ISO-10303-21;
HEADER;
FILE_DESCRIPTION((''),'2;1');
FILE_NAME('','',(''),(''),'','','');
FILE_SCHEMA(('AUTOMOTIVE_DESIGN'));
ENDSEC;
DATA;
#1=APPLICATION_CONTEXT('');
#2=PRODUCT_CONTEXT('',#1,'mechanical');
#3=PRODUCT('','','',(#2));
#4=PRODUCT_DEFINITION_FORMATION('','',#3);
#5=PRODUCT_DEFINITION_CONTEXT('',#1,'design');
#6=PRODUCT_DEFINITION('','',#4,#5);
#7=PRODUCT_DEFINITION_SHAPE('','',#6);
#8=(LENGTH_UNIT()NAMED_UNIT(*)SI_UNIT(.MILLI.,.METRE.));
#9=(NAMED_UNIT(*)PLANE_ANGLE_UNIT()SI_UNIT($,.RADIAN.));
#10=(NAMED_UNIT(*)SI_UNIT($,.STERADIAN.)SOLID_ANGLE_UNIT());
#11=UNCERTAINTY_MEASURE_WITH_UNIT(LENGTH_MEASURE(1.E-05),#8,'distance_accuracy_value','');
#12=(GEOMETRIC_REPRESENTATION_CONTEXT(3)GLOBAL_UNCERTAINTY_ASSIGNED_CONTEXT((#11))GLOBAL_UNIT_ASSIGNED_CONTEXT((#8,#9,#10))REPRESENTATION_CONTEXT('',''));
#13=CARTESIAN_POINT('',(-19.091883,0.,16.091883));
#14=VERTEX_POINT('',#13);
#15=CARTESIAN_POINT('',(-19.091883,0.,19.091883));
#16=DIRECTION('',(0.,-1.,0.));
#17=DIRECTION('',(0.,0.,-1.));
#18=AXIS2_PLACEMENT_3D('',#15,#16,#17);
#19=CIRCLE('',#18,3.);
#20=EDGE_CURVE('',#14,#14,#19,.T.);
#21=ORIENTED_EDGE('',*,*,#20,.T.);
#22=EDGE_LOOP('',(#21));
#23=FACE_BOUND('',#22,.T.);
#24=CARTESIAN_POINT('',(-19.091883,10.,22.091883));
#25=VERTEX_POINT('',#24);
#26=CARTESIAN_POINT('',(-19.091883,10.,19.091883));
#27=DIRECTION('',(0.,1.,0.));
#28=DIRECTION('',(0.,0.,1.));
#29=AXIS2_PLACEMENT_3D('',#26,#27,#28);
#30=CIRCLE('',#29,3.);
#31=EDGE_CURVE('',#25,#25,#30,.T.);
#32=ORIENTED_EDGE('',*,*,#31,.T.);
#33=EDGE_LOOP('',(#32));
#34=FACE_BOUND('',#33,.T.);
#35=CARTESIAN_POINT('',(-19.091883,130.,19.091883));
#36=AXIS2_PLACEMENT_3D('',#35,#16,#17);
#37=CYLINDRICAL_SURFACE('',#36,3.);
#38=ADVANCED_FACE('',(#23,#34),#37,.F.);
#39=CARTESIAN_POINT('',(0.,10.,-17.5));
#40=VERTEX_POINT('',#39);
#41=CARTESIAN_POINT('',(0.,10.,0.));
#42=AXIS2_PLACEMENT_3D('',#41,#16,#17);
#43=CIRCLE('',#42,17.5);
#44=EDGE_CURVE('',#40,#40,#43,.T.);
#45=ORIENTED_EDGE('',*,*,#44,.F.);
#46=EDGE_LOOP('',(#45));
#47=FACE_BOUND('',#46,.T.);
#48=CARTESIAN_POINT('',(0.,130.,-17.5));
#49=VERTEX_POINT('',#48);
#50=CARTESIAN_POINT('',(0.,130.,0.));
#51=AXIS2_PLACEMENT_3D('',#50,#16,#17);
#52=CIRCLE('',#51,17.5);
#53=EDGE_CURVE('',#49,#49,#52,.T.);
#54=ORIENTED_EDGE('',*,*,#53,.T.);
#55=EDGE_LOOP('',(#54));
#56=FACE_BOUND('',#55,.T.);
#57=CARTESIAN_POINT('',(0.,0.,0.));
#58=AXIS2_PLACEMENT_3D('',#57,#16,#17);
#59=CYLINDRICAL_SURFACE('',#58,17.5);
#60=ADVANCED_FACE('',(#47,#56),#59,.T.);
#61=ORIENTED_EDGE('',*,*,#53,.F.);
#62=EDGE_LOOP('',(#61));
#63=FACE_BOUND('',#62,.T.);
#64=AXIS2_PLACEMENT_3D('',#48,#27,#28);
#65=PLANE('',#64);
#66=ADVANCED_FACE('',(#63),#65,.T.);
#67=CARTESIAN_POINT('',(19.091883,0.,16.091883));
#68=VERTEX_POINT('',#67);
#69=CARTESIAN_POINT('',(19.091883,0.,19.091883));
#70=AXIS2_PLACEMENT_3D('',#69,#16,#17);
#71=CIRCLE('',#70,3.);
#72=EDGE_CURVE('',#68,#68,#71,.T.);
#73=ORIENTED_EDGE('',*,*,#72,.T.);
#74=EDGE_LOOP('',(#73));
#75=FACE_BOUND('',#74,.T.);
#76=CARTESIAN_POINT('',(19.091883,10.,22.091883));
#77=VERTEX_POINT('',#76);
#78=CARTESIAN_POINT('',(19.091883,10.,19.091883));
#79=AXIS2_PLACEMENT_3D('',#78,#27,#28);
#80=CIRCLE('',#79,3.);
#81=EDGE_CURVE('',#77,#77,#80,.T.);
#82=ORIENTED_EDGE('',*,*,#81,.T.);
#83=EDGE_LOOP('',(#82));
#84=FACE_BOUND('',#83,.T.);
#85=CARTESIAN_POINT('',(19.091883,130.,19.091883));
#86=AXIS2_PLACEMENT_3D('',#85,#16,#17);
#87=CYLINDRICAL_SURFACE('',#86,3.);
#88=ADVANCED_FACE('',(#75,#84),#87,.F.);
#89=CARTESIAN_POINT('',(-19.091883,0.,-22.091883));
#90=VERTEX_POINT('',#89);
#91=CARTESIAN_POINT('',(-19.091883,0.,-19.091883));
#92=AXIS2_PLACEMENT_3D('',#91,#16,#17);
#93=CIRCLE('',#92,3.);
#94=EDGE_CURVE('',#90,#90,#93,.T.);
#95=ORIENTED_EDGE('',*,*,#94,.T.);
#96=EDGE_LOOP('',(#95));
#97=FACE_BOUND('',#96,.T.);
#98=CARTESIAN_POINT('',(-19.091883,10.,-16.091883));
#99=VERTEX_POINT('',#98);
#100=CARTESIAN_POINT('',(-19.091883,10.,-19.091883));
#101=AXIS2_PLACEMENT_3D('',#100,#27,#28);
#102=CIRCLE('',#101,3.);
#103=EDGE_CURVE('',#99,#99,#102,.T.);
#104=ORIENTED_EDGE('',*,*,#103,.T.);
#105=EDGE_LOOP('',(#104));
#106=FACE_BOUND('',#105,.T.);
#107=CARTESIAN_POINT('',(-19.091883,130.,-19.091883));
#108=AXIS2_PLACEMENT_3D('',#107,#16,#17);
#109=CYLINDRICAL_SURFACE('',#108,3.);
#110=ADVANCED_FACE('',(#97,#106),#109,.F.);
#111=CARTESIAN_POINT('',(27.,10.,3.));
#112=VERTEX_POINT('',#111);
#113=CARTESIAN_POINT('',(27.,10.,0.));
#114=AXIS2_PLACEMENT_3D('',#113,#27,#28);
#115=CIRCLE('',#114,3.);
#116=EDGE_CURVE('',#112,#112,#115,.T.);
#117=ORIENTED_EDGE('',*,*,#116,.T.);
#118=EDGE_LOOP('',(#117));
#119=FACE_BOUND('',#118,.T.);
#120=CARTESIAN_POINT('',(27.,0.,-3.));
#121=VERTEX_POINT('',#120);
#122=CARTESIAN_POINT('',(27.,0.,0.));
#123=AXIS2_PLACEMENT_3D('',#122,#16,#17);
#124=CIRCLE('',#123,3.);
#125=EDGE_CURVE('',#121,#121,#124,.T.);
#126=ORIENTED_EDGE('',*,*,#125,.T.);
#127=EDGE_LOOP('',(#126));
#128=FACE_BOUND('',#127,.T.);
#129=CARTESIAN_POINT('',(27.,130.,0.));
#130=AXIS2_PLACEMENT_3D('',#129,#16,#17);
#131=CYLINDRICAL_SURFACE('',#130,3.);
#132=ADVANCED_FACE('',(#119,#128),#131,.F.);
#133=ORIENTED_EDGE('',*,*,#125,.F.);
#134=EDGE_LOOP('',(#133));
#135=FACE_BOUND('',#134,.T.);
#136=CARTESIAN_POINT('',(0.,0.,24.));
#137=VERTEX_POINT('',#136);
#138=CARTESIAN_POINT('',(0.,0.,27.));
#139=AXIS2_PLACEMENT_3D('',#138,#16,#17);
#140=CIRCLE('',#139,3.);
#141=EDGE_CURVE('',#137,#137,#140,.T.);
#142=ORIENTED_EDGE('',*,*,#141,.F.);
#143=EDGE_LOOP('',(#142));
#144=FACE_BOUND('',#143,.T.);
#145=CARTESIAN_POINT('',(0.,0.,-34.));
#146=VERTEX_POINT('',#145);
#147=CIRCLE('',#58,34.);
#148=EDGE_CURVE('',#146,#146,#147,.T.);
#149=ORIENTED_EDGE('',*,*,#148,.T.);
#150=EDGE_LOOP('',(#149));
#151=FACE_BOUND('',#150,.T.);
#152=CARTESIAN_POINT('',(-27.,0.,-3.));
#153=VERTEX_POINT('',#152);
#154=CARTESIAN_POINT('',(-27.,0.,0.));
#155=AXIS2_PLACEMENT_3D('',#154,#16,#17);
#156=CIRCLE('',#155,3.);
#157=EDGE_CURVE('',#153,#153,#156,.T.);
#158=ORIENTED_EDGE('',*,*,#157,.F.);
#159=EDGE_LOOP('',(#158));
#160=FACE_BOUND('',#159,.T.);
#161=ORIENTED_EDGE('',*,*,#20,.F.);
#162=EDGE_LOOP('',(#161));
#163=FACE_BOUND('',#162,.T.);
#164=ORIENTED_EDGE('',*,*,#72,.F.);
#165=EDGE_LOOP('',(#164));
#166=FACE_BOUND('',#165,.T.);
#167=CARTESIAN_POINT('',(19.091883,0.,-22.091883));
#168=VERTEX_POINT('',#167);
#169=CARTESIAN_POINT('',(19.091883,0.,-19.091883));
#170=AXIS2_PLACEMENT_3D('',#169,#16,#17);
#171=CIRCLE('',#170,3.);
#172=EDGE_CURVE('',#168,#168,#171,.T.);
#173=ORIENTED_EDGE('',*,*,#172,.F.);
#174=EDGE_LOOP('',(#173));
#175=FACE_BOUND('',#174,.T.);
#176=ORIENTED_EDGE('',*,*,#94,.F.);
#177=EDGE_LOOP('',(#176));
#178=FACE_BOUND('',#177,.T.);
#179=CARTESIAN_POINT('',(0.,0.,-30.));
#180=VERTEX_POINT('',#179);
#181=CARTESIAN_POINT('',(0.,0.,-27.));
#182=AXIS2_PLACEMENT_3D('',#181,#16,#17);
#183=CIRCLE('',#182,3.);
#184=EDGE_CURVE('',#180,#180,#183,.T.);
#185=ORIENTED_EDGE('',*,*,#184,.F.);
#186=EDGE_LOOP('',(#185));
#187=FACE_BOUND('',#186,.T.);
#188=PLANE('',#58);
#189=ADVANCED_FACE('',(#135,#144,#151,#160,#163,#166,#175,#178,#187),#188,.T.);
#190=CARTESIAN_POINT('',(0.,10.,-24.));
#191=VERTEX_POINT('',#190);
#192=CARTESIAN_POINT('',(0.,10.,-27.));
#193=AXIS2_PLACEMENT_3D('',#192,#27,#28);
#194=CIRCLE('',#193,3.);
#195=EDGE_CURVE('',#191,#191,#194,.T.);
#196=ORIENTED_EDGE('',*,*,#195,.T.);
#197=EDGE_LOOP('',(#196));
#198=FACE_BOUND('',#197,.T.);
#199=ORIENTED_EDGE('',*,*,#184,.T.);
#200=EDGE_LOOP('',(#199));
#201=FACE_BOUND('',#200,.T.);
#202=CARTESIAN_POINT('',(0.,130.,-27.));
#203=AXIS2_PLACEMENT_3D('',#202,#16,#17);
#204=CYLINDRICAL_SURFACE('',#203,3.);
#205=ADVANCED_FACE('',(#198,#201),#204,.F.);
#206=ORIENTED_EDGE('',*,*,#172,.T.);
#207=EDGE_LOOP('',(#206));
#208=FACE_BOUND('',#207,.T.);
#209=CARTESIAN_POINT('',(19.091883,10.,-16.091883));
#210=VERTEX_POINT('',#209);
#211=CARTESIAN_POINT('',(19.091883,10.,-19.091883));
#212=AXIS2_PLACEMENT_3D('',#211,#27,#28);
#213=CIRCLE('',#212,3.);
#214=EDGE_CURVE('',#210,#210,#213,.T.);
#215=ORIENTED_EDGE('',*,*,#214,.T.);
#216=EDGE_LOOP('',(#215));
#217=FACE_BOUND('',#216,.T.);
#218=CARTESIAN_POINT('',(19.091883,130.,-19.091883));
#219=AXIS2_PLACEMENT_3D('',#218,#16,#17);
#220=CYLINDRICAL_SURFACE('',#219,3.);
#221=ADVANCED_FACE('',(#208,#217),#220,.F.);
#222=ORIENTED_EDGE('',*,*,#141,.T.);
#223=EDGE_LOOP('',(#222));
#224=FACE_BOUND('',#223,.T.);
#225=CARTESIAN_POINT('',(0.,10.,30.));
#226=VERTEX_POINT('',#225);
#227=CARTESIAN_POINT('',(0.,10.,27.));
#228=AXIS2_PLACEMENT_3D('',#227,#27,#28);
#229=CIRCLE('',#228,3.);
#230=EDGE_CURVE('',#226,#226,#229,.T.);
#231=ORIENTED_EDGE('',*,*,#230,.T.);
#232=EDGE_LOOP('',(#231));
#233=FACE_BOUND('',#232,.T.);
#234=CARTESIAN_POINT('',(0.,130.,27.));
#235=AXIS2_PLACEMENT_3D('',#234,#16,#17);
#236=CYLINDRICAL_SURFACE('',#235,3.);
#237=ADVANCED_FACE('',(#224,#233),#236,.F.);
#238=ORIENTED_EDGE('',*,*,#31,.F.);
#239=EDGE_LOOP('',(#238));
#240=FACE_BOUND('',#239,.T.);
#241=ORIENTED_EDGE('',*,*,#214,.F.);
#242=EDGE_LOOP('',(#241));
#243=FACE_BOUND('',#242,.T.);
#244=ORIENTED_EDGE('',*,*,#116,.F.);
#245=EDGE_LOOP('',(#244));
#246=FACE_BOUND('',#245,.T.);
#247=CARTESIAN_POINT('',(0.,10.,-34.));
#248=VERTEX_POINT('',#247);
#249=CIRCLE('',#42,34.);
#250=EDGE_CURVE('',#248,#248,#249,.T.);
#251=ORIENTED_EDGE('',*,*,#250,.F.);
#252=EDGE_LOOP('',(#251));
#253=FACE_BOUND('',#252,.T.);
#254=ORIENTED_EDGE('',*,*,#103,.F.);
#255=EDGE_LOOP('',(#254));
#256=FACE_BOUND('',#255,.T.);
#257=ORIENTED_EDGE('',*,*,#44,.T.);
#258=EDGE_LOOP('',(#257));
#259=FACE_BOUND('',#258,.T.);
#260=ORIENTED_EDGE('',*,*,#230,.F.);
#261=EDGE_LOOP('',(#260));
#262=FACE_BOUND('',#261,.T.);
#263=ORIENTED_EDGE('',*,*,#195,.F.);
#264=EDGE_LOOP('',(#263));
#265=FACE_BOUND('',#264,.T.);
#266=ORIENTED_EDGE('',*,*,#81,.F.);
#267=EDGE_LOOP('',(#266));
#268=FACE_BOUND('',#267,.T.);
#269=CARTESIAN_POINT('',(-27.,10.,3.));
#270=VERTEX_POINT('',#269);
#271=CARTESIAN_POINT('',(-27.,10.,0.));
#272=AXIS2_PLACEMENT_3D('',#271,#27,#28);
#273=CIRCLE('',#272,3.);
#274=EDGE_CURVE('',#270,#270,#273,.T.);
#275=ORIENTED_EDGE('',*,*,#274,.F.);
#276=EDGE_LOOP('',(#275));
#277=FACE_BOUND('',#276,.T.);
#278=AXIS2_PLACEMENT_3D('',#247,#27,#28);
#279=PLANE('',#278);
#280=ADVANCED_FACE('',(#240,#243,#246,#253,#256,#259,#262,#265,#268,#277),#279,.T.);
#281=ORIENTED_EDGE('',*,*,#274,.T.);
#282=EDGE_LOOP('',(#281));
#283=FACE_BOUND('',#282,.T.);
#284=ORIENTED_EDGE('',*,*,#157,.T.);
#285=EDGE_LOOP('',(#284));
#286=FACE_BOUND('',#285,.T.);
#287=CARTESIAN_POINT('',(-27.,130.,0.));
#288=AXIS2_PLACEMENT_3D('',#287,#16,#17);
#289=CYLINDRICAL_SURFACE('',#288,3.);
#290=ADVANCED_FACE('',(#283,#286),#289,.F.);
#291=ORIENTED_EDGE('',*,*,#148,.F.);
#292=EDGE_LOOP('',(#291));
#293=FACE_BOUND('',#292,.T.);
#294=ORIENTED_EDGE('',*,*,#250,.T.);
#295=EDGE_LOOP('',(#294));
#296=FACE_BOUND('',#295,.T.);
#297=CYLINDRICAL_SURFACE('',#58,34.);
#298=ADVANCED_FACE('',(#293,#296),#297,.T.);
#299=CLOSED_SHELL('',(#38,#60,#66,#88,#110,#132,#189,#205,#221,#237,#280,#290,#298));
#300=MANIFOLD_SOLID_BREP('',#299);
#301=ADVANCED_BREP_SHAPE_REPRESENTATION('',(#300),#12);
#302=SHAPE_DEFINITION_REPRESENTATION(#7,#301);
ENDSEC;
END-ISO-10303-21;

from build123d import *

# Parameters (mm, degrees)
SKETCH3_R          = 3
CUT_EXTRUDE1_DEPTH = 131


with BuildPart() as part:
    # Sketch2 → Revolve1 (revolve)
    with BuildSketch(Plane(origin=(0, 0, 0), x_dir=(0, 0, -1), z_dir=(1, 0, 0))):
        Polygon((0, 0), (34, 0), (34, 10), (17.5, 10), (17.5, 130), (0, 130), align=None)
    revolve(axis=Axis((0, 0, 0), (0, 1, 0)))

    # Sketch3 → Cut-Extrude1 (cut, through all)
    with BuildSketch(Plane.XZ):
        with Locations((27, 0)):
            Circle(SKETCH3_R)
        with Locations((19.091883092, -19.091883092)):
            Circle(SKETCH3_R)
        with Locations((0, -27)):
            Circle(SKETCH3_R)
        with Locations((-19.091883092, -19.091883092)):
            Circle(SKETCH3_R)
        with Locations((-27, 0)):
            Circle(SKETCH3_R)
        with Locations((-19.091883092, 19.091883092)):
            Circle(SKETCH3_R)
        with Locations((0, 27)):
            Circle(SKETCH3_R)
        with Locations((19.091883092, 19.091883092)):
            Circle(SKETCH3_R)
    extrude(amount=-CUT_EXTRUDE1_DEPTH, mode=Mode.SUBTRACT)


solid = part.part
